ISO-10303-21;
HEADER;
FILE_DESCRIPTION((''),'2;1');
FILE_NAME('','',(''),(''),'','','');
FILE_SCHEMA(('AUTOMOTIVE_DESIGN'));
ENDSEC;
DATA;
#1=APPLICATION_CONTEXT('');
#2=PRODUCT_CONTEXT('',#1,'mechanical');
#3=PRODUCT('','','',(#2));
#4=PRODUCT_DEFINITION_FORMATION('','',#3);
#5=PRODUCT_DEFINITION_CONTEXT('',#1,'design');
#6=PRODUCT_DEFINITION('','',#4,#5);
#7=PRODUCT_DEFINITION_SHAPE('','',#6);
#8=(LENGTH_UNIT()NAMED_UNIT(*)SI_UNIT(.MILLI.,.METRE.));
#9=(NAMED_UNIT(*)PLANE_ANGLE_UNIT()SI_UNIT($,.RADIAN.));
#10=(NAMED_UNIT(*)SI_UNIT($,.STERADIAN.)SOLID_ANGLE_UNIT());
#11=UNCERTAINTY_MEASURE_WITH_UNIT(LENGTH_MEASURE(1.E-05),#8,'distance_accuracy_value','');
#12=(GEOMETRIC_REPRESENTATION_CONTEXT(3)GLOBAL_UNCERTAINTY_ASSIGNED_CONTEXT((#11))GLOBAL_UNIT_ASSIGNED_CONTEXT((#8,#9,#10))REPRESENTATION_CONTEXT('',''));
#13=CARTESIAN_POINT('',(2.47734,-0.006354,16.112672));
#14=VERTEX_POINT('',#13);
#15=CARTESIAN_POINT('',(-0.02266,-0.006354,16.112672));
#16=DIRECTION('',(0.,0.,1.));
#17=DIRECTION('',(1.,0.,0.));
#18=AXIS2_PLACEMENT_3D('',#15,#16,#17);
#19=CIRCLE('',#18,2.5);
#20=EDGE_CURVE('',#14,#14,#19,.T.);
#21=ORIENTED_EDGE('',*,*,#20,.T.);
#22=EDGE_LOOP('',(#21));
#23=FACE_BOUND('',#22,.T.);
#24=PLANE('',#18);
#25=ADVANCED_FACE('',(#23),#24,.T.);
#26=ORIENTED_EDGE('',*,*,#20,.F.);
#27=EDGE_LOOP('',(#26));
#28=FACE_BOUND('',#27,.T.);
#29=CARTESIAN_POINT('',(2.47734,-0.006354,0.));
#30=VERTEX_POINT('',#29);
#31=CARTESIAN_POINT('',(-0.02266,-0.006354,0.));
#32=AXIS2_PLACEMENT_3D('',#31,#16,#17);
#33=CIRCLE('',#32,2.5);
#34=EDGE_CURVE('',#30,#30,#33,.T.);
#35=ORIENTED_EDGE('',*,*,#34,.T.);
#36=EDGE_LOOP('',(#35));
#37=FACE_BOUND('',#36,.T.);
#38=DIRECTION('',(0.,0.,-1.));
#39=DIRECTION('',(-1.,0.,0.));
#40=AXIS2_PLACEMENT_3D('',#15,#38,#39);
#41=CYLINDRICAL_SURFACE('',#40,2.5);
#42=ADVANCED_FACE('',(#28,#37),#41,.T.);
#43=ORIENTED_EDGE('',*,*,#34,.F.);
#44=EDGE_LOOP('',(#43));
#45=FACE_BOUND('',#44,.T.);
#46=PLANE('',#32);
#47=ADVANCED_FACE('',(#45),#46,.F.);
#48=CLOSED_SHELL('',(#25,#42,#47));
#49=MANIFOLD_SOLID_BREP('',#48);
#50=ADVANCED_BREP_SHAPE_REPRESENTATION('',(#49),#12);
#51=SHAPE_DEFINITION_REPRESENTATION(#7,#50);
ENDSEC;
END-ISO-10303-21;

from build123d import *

# Parameters (mm, degrees)
SKETCH_1_R      = 2.5
EXTRUDE_1_DEPTH = 16.112671561


with BuildPart() as part:
    # 草图1 → 凸台-拉伸1 (new body)
    with BuildSketch(Plane.XY):
        with Locations((-0.022660126, -0.006354327)):
            Circle(SKETCH_1_R)
    extrude(amount=EXTRUDE_1_DEPTH)


solid = part.part
